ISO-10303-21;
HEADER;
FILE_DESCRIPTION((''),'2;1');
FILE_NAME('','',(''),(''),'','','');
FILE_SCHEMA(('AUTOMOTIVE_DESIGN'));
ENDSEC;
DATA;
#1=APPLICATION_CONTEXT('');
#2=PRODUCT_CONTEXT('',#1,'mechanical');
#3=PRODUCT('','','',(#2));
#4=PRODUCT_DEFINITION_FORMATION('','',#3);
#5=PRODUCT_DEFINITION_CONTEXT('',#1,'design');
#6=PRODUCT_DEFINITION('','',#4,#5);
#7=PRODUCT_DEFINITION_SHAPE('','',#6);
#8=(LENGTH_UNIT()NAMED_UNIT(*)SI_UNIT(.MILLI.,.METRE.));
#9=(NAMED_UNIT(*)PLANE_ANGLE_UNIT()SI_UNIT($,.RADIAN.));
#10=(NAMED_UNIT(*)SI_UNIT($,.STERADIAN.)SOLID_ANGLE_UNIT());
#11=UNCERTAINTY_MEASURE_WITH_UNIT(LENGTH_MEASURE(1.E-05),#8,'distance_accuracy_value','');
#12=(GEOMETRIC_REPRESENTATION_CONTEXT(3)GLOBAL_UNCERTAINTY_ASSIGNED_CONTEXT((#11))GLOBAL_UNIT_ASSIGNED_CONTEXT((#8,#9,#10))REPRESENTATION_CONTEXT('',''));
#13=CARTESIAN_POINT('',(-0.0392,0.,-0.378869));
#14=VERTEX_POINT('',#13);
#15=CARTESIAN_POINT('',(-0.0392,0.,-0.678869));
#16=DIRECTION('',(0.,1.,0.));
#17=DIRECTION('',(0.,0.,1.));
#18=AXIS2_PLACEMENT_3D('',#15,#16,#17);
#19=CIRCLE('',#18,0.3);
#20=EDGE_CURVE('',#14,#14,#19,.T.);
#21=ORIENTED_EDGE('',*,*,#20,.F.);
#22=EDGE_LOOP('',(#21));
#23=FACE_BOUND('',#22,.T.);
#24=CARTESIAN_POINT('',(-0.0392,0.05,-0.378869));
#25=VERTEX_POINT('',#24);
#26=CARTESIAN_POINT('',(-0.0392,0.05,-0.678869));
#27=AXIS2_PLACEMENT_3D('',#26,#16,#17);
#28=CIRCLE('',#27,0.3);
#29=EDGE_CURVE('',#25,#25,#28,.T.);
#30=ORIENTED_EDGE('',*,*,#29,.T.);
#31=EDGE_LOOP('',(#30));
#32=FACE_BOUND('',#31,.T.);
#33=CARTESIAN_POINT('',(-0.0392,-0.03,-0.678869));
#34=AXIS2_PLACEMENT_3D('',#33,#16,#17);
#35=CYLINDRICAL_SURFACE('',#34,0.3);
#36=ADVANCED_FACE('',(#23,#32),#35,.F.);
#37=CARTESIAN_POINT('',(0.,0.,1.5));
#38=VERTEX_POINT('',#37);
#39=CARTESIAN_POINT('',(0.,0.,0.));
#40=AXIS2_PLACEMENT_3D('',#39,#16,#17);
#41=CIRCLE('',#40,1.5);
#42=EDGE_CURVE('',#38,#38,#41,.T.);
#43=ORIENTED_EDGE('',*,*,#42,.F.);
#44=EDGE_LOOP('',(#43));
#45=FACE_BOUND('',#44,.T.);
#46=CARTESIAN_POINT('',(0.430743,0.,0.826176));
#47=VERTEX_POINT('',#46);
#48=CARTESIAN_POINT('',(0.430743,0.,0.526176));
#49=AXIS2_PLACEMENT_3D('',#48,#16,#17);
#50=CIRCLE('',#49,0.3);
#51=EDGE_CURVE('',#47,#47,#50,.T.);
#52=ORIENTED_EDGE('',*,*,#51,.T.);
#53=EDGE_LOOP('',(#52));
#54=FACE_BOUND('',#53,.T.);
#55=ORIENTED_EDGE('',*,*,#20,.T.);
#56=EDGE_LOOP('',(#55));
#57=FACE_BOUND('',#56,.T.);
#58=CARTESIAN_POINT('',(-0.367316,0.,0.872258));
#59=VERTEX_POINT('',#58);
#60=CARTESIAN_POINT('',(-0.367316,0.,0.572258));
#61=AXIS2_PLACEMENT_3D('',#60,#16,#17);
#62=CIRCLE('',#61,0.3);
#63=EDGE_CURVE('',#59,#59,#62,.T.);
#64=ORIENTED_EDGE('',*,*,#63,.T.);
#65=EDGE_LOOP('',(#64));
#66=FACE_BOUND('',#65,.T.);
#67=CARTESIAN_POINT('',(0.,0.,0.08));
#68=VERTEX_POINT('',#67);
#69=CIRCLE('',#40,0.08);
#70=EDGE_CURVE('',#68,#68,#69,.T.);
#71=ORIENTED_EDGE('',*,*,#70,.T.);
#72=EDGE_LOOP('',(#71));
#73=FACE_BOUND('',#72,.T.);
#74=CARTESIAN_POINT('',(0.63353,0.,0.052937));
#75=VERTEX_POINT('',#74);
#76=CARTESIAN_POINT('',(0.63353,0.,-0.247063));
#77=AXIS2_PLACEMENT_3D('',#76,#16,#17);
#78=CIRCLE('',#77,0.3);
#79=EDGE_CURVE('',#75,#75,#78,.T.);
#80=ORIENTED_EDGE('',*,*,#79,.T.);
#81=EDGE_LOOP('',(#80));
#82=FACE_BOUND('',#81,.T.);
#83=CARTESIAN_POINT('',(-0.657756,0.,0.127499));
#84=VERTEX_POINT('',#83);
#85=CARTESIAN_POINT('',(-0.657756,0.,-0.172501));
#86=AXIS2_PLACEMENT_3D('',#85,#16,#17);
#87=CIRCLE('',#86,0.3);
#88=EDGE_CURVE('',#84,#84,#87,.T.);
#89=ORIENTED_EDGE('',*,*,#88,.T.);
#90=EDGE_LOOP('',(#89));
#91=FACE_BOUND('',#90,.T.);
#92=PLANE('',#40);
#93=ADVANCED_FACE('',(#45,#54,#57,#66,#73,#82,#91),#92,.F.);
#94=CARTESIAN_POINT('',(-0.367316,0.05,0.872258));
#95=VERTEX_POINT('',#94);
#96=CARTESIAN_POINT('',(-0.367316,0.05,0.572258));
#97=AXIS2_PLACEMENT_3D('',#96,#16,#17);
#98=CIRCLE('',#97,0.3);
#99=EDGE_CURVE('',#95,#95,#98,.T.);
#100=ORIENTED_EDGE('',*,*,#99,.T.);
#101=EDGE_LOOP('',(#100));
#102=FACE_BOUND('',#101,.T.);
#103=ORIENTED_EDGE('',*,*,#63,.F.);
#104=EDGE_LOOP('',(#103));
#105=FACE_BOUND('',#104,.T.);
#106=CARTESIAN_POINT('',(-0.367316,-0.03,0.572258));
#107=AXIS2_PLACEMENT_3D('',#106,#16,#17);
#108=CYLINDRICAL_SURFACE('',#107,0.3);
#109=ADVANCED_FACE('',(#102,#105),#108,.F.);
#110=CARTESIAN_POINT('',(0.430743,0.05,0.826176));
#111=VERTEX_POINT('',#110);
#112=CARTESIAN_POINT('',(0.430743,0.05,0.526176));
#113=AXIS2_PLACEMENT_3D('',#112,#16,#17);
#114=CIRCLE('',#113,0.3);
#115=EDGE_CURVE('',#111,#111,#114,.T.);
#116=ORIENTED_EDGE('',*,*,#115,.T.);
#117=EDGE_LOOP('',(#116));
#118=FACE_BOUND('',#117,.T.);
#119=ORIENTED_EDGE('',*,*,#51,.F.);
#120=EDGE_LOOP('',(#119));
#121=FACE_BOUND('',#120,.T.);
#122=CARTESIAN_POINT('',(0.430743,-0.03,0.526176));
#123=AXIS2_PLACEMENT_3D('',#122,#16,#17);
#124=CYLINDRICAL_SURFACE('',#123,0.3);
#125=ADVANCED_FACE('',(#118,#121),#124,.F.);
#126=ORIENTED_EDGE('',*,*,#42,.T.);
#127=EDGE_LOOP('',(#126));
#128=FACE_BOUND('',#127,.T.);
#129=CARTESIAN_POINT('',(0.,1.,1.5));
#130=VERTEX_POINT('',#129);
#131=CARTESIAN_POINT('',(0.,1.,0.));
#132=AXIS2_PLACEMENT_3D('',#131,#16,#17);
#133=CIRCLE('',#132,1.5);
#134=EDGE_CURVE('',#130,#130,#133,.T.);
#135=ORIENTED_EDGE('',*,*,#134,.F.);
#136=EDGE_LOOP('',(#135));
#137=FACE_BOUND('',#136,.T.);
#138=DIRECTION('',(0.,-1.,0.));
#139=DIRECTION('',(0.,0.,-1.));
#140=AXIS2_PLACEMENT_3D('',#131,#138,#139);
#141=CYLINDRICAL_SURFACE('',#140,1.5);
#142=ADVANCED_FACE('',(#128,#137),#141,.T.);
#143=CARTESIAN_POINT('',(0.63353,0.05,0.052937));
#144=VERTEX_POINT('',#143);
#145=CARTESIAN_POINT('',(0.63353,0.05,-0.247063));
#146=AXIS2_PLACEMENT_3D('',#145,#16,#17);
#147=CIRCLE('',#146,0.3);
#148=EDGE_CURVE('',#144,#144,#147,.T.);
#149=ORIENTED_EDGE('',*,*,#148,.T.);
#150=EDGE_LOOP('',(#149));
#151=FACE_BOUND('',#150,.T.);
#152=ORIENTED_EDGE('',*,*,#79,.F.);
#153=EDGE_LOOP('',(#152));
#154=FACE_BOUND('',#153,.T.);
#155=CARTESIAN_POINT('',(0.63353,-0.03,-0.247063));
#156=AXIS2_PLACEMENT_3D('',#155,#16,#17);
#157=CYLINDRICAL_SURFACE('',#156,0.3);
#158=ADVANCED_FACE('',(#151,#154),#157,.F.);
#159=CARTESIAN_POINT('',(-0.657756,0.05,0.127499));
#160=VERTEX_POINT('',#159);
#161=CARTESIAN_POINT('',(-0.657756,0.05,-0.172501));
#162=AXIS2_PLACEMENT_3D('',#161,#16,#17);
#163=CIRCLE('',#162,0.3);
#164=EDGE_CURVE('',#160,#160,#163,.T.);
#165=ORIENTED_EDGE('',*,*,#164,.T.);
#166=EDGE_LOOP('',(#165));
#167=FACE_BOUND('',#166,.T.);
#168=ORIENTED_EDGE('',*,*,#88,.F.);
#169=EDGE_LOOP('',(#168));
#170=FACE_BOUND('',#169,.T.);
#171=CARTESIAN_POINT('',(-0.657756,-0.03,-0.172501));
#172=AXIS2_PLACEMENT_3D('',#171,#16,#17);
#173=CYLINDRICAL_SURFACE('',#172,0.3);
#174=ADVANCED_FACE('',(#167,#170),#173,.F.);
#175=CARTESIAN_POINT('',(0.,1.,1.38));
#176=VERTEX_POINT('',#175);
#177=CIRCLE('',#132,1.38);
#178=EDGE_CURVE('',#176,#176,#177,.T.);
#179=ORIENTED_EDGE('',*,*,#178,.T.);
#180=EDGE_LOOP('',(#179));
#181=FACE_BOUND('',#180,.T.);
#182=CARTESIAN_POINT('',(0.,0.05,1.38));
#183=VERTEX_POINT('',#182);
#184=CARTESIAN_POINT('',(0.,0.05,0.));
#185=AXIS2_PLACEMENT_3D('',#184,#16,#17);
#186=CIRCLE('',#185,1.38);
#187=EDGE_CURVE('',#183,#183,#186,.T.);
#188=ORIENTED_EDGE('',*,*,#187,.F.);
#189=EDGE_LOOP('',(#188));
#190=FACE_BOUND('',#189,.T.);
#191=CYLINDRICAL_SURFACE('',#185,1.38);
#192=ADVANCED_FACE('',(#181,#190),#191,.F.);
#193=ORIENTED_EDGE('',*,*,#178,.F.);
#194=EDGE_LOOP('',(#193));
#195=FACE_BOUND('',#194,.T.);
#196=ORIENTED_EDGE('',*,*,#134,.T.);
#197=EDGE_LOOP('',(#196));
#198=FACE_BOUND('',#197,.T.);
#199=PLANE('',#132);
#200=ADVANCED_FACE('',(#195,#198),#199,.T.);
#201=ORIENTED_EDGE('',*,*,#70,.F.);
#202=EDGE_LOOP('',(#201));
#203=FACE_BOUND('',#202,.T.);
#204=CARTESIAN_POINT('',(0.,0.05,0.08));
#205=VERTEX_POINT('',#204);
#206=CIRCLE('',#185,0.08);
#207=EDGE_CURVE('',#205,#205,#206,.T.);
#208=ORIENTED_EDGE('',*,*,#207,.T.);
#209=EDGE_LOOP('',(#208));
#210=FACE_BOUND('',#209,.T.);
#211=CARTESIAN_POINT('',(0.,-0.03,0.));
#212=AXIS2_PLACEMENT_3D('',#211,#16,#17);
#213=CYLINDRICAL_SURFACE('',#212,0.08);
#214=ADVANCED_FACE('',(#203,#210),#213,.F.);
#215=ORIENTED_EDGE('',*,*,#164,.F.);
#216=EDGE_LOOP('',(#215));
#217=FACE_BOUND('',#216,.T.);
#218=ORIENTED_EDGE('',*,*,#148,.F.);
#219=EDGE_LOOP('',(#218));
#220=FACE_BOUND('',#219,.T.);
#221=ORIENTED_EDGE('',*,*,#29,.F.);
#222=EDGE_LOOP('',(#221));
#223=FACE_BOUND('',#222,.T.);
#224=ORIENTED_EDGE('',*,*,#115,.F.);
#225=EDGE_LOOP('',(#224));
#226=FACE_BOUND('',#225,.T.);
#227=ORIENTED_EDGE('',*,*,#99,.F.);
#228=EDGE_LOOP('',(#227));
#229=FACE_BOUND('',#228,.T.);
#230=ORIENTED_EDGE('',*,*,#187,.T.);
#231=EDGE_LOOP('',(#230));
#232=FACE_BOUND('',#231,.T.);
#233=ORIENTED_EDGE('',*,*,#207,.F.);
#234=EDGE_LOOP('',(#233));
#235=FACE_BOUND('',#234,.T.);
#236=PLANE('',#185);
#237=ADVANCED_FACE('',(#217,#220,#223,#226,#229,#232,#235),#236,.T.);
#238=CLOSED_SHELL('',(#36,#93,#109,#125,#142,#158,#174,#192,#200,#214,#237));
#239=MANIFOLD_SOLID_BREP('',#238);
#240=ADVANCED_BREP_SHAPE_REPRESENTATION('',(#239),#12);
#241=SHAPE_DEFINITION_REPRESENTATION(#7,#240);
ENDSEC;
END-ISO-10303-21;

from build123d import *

# Parameters (mm, degrees)
SKETCH1_R           = 150
BOSS_EXTRUDE1_DEPTH = 100
SKETCH3_R           = 138
CUT_EXTRUDE1_DEPTH  = 95
SKETCH4_R           = 30
CUT_EXTRUDE2_DEPTH  = 8
SKETCH5_R           = 8
CUT_EXTRUDE3_DEPTH  = 8
SCALE1_SCALE        = 0.01


with BuildPart() as part:
    # Sketch1 → Boss-Extrude1 (new body)
    with BuildSketch(Plane(origin=(0, 0, 0), x_dir=(1, 0, 0), z_dir=(0, 1, 0))):
        with Locations(Location((0, 0, 0), (0, 0, 270))):
            Circle(SKETCH1_R)
    extrude(amount=BOSS_EXTRUDE1_DEPTH)

    # Sketch3 → Cut-Extrude1 (cut)
    with BuildSketch(Plane(origin=(0, 100, 0), x_dir=(1, 0, 0), z_dir=(0, 1, 0))):
        with Locations(Location((0, 0, 0), (0, 0, 270))):
            Circle(SKETCH3_R)
    extrude(amount=-CUT_EXTRUDE1_DEPTH, mode=Mode.SUBTRACT)

    # Sketch4 → Cut-Extrude2 (cut)
    with BuildSketch(Plane(origin=(0, 5, 0), x_dir=(1, 0, 0), z_dir=(0, 1, 0))):
        with Locations(Location((-3.91997957, 67.886918918, 0), (0, 0, 270))):
            Circle(SKETCH4_R)
        with Locations(Location((63.352956303, 24.706333755, 0), (0, 0, 270))):
            Circle(SKETCH4_R)
        with Locations(Location((43.074259853, -52.61756492, 0), (0, 0, 270))):
            Circle(SKETCH4_R)
        with Locations(Location((-36.731599674, -57.225777281, 0), (0, 0, 270))):
            Circle(SKETCH4_R)
        with Locations(Location((-65.775636913, 17.250089528, 0), (0, 0, 270))):
            Circle(SKETCH4_R)
    extrude(amount=-CUT_EXTRUDE2_DEPTH, mode=Mode.SUBTRACT)

    # Sketch5 → Cut-Extrude3 (cut)
    with BuildSketch(Plane(origin=(0, 5, 0), x_dir=(1, 0, 0), z_dir=(0, 1, 0))):
        with Locations(Location((0, 0, 0), (0, 0, 270))):
            Circle(SKETCH5_R)
    extrude(amount=-CUT_EXTRUDE3_DEPTH, mode=Mode.SUBTRACT)


with BuildPart() as part_1:
    # Scale1: scaled about (0, 0, 0)
    add(part.part.scale(SCALE1_SCALE))


solid = part_1.part
